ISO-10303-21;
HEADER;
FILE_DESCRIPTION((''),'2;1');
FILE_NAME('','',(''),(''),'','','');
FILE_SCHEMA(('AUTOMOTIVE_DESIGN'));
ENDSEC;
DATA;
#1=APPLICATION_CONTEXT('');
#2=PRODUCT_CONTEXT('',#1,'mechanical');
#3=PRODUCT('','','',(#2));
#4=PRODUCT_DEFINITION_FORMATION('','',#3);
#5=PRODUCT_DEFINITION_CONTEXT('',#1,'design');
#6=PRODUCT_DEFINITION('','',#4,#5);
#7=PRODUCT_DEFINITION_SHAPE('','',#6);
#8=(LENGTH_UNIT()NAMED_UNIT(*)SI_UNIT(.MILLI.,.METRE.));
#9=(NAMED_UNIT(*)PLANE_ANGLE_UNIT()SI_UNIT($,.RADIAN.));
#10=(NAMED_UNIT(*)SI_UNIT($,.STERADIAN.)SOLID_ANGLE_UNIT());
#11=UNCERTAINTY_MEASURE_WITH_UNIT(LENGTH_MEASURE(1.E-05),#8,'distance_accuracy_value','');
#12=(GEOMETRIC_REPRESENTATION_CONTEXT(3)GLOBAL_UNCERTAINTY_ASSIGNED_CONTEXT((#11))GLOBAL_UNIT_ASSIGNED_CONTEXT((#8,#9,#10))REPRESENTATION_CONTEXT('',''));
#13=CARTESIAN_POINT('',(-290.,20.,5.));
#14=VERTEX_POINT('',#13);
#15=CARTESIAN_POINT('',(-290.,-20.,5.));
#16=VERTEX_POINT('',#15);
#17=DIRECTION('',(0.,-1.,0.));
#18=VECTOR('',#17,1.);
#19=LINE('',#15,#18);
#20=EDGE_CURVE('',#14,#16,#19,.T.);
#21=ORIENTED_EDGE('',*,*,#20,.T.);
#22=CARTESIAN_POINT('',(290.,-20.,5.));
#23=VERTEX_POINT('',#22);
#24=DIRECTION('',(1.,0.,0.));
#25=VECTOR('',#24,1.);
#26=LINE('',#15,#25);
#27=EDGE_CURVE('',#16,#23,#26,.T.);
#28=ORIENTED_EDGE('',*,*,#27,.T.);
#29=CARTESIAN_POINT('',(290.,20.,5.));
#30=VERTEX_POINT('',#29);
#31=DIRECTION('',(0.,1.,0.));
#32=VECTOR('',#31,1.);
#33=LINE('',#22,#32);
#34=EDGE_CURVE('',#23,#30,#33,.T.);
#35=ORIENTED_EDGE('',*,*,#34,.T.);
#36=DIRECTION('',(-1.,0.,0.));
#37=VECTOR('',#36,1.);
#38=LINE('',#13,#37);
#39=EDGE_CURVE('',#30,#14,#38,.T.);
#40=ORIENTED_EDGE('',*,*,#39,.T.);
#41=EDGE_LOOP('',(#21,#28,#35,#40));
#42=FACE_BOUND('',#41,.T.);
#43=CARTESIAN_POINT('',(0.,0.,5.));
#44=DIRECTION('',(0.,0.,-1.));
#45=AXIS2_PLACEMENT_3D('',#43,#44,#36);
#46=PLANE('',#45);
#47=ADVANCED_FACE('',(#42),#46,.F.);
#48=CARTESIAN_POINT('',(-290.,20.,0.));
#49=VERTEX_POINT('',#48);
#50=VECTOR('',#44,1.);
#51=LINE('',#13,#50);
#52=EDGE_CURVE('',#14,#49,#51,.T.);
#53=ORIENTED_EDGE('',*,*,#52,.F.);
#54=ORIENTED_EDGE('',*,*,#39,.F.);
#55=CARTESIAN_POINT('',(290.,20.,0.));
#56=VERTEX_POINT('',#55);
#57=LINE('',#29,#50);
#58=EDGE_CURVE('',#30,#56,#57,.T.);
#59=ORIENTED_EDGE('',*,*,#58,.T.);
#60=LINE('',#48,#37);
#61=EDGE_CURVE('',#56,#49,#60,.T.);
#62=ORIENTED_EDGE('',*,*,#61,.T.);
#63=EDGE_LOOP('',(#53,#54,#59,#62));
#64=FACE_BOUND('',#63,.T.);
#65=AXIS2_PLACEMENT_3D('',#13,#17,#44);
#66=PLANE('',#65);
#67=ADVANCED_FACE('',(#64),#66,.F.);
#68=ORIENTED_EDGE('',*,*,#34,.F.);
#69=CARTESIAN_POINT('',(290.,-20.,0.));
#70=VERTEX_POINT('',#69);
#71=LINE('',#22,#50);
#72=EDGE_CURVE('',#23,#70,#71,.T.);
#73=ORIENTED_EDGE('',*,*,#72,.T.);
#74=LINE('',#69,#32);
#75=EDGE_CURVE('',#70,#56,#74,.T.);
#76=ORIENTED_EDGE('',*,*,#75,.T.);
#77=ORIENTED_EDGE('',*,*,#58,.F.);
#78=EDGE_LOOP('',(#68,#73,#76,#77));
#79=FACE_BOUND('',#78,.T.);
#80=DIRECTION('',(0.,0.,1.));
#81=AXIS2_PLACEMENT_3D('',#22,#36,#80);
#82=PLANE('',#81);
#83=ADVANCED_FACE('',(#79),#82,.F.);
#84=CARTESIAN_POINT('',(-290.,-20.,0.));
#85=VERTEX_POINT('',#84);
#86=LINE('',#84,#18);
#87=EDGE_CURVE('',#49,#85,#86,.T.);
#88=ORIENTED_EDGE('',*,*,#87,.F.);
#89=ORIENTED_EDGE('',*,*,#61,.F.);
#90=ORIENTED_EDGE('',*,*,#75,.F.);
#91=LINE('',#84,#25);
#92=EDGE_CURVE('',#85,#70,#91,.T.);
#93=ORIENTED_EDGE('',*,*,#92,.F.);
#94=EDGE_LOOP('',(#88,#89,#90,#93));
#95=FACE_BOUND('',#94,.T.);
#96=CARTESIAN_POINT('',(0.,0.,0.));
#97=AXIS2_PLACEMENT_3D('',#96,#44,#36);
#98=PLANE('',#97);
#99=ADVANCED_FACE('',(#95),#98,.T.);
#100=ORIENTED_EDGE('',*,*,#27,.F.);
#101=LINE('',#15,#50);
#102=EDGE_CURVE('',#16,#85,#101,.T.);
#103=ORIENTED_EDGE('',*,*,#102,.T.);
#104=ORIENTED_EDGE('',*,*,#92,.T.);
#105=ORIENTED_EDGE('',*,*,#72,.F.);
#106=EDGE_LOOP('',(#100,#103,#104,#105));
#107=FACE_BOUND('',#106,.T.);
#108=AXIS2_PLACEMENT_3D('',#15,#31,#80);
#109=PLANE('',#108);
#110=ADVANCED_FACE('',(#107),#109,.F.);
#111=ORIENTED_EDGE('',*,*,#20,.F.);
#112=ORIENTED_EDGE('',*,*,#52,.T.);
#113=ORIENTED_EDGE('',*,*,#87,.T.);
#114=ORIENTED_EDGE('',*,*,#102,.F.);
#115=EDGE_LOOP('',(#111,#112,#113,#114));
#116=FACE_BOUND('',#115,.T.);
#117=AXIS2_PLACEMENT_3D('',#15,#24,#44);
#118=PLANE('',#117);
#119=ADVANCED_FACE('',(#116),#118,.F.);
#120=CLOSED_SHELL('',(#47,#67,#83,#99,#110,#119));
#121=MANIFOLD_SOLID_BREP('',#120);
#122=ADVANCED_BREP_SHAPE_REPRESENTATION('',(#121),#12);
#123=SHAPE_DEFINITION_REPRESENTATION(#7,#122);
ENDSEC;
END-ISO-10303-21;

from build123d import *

# Parameters (mm, degrees)
ESQUISSE1_W        = 580
ESQUISSE1_H        = 40
BOSS_EXTRU_1_DEPTH = 5


with BuildPart() as part:
    # Esquisse1 → Boss.-Extru.1 (new body)
    with BuildSketch(Plane.XY):
        Rectangle(ESQUISSE1_W, ESQUISSE1_H)
    extrude(amount=BOSS_EXTRU_1_DEPTH)


solid = part.part
